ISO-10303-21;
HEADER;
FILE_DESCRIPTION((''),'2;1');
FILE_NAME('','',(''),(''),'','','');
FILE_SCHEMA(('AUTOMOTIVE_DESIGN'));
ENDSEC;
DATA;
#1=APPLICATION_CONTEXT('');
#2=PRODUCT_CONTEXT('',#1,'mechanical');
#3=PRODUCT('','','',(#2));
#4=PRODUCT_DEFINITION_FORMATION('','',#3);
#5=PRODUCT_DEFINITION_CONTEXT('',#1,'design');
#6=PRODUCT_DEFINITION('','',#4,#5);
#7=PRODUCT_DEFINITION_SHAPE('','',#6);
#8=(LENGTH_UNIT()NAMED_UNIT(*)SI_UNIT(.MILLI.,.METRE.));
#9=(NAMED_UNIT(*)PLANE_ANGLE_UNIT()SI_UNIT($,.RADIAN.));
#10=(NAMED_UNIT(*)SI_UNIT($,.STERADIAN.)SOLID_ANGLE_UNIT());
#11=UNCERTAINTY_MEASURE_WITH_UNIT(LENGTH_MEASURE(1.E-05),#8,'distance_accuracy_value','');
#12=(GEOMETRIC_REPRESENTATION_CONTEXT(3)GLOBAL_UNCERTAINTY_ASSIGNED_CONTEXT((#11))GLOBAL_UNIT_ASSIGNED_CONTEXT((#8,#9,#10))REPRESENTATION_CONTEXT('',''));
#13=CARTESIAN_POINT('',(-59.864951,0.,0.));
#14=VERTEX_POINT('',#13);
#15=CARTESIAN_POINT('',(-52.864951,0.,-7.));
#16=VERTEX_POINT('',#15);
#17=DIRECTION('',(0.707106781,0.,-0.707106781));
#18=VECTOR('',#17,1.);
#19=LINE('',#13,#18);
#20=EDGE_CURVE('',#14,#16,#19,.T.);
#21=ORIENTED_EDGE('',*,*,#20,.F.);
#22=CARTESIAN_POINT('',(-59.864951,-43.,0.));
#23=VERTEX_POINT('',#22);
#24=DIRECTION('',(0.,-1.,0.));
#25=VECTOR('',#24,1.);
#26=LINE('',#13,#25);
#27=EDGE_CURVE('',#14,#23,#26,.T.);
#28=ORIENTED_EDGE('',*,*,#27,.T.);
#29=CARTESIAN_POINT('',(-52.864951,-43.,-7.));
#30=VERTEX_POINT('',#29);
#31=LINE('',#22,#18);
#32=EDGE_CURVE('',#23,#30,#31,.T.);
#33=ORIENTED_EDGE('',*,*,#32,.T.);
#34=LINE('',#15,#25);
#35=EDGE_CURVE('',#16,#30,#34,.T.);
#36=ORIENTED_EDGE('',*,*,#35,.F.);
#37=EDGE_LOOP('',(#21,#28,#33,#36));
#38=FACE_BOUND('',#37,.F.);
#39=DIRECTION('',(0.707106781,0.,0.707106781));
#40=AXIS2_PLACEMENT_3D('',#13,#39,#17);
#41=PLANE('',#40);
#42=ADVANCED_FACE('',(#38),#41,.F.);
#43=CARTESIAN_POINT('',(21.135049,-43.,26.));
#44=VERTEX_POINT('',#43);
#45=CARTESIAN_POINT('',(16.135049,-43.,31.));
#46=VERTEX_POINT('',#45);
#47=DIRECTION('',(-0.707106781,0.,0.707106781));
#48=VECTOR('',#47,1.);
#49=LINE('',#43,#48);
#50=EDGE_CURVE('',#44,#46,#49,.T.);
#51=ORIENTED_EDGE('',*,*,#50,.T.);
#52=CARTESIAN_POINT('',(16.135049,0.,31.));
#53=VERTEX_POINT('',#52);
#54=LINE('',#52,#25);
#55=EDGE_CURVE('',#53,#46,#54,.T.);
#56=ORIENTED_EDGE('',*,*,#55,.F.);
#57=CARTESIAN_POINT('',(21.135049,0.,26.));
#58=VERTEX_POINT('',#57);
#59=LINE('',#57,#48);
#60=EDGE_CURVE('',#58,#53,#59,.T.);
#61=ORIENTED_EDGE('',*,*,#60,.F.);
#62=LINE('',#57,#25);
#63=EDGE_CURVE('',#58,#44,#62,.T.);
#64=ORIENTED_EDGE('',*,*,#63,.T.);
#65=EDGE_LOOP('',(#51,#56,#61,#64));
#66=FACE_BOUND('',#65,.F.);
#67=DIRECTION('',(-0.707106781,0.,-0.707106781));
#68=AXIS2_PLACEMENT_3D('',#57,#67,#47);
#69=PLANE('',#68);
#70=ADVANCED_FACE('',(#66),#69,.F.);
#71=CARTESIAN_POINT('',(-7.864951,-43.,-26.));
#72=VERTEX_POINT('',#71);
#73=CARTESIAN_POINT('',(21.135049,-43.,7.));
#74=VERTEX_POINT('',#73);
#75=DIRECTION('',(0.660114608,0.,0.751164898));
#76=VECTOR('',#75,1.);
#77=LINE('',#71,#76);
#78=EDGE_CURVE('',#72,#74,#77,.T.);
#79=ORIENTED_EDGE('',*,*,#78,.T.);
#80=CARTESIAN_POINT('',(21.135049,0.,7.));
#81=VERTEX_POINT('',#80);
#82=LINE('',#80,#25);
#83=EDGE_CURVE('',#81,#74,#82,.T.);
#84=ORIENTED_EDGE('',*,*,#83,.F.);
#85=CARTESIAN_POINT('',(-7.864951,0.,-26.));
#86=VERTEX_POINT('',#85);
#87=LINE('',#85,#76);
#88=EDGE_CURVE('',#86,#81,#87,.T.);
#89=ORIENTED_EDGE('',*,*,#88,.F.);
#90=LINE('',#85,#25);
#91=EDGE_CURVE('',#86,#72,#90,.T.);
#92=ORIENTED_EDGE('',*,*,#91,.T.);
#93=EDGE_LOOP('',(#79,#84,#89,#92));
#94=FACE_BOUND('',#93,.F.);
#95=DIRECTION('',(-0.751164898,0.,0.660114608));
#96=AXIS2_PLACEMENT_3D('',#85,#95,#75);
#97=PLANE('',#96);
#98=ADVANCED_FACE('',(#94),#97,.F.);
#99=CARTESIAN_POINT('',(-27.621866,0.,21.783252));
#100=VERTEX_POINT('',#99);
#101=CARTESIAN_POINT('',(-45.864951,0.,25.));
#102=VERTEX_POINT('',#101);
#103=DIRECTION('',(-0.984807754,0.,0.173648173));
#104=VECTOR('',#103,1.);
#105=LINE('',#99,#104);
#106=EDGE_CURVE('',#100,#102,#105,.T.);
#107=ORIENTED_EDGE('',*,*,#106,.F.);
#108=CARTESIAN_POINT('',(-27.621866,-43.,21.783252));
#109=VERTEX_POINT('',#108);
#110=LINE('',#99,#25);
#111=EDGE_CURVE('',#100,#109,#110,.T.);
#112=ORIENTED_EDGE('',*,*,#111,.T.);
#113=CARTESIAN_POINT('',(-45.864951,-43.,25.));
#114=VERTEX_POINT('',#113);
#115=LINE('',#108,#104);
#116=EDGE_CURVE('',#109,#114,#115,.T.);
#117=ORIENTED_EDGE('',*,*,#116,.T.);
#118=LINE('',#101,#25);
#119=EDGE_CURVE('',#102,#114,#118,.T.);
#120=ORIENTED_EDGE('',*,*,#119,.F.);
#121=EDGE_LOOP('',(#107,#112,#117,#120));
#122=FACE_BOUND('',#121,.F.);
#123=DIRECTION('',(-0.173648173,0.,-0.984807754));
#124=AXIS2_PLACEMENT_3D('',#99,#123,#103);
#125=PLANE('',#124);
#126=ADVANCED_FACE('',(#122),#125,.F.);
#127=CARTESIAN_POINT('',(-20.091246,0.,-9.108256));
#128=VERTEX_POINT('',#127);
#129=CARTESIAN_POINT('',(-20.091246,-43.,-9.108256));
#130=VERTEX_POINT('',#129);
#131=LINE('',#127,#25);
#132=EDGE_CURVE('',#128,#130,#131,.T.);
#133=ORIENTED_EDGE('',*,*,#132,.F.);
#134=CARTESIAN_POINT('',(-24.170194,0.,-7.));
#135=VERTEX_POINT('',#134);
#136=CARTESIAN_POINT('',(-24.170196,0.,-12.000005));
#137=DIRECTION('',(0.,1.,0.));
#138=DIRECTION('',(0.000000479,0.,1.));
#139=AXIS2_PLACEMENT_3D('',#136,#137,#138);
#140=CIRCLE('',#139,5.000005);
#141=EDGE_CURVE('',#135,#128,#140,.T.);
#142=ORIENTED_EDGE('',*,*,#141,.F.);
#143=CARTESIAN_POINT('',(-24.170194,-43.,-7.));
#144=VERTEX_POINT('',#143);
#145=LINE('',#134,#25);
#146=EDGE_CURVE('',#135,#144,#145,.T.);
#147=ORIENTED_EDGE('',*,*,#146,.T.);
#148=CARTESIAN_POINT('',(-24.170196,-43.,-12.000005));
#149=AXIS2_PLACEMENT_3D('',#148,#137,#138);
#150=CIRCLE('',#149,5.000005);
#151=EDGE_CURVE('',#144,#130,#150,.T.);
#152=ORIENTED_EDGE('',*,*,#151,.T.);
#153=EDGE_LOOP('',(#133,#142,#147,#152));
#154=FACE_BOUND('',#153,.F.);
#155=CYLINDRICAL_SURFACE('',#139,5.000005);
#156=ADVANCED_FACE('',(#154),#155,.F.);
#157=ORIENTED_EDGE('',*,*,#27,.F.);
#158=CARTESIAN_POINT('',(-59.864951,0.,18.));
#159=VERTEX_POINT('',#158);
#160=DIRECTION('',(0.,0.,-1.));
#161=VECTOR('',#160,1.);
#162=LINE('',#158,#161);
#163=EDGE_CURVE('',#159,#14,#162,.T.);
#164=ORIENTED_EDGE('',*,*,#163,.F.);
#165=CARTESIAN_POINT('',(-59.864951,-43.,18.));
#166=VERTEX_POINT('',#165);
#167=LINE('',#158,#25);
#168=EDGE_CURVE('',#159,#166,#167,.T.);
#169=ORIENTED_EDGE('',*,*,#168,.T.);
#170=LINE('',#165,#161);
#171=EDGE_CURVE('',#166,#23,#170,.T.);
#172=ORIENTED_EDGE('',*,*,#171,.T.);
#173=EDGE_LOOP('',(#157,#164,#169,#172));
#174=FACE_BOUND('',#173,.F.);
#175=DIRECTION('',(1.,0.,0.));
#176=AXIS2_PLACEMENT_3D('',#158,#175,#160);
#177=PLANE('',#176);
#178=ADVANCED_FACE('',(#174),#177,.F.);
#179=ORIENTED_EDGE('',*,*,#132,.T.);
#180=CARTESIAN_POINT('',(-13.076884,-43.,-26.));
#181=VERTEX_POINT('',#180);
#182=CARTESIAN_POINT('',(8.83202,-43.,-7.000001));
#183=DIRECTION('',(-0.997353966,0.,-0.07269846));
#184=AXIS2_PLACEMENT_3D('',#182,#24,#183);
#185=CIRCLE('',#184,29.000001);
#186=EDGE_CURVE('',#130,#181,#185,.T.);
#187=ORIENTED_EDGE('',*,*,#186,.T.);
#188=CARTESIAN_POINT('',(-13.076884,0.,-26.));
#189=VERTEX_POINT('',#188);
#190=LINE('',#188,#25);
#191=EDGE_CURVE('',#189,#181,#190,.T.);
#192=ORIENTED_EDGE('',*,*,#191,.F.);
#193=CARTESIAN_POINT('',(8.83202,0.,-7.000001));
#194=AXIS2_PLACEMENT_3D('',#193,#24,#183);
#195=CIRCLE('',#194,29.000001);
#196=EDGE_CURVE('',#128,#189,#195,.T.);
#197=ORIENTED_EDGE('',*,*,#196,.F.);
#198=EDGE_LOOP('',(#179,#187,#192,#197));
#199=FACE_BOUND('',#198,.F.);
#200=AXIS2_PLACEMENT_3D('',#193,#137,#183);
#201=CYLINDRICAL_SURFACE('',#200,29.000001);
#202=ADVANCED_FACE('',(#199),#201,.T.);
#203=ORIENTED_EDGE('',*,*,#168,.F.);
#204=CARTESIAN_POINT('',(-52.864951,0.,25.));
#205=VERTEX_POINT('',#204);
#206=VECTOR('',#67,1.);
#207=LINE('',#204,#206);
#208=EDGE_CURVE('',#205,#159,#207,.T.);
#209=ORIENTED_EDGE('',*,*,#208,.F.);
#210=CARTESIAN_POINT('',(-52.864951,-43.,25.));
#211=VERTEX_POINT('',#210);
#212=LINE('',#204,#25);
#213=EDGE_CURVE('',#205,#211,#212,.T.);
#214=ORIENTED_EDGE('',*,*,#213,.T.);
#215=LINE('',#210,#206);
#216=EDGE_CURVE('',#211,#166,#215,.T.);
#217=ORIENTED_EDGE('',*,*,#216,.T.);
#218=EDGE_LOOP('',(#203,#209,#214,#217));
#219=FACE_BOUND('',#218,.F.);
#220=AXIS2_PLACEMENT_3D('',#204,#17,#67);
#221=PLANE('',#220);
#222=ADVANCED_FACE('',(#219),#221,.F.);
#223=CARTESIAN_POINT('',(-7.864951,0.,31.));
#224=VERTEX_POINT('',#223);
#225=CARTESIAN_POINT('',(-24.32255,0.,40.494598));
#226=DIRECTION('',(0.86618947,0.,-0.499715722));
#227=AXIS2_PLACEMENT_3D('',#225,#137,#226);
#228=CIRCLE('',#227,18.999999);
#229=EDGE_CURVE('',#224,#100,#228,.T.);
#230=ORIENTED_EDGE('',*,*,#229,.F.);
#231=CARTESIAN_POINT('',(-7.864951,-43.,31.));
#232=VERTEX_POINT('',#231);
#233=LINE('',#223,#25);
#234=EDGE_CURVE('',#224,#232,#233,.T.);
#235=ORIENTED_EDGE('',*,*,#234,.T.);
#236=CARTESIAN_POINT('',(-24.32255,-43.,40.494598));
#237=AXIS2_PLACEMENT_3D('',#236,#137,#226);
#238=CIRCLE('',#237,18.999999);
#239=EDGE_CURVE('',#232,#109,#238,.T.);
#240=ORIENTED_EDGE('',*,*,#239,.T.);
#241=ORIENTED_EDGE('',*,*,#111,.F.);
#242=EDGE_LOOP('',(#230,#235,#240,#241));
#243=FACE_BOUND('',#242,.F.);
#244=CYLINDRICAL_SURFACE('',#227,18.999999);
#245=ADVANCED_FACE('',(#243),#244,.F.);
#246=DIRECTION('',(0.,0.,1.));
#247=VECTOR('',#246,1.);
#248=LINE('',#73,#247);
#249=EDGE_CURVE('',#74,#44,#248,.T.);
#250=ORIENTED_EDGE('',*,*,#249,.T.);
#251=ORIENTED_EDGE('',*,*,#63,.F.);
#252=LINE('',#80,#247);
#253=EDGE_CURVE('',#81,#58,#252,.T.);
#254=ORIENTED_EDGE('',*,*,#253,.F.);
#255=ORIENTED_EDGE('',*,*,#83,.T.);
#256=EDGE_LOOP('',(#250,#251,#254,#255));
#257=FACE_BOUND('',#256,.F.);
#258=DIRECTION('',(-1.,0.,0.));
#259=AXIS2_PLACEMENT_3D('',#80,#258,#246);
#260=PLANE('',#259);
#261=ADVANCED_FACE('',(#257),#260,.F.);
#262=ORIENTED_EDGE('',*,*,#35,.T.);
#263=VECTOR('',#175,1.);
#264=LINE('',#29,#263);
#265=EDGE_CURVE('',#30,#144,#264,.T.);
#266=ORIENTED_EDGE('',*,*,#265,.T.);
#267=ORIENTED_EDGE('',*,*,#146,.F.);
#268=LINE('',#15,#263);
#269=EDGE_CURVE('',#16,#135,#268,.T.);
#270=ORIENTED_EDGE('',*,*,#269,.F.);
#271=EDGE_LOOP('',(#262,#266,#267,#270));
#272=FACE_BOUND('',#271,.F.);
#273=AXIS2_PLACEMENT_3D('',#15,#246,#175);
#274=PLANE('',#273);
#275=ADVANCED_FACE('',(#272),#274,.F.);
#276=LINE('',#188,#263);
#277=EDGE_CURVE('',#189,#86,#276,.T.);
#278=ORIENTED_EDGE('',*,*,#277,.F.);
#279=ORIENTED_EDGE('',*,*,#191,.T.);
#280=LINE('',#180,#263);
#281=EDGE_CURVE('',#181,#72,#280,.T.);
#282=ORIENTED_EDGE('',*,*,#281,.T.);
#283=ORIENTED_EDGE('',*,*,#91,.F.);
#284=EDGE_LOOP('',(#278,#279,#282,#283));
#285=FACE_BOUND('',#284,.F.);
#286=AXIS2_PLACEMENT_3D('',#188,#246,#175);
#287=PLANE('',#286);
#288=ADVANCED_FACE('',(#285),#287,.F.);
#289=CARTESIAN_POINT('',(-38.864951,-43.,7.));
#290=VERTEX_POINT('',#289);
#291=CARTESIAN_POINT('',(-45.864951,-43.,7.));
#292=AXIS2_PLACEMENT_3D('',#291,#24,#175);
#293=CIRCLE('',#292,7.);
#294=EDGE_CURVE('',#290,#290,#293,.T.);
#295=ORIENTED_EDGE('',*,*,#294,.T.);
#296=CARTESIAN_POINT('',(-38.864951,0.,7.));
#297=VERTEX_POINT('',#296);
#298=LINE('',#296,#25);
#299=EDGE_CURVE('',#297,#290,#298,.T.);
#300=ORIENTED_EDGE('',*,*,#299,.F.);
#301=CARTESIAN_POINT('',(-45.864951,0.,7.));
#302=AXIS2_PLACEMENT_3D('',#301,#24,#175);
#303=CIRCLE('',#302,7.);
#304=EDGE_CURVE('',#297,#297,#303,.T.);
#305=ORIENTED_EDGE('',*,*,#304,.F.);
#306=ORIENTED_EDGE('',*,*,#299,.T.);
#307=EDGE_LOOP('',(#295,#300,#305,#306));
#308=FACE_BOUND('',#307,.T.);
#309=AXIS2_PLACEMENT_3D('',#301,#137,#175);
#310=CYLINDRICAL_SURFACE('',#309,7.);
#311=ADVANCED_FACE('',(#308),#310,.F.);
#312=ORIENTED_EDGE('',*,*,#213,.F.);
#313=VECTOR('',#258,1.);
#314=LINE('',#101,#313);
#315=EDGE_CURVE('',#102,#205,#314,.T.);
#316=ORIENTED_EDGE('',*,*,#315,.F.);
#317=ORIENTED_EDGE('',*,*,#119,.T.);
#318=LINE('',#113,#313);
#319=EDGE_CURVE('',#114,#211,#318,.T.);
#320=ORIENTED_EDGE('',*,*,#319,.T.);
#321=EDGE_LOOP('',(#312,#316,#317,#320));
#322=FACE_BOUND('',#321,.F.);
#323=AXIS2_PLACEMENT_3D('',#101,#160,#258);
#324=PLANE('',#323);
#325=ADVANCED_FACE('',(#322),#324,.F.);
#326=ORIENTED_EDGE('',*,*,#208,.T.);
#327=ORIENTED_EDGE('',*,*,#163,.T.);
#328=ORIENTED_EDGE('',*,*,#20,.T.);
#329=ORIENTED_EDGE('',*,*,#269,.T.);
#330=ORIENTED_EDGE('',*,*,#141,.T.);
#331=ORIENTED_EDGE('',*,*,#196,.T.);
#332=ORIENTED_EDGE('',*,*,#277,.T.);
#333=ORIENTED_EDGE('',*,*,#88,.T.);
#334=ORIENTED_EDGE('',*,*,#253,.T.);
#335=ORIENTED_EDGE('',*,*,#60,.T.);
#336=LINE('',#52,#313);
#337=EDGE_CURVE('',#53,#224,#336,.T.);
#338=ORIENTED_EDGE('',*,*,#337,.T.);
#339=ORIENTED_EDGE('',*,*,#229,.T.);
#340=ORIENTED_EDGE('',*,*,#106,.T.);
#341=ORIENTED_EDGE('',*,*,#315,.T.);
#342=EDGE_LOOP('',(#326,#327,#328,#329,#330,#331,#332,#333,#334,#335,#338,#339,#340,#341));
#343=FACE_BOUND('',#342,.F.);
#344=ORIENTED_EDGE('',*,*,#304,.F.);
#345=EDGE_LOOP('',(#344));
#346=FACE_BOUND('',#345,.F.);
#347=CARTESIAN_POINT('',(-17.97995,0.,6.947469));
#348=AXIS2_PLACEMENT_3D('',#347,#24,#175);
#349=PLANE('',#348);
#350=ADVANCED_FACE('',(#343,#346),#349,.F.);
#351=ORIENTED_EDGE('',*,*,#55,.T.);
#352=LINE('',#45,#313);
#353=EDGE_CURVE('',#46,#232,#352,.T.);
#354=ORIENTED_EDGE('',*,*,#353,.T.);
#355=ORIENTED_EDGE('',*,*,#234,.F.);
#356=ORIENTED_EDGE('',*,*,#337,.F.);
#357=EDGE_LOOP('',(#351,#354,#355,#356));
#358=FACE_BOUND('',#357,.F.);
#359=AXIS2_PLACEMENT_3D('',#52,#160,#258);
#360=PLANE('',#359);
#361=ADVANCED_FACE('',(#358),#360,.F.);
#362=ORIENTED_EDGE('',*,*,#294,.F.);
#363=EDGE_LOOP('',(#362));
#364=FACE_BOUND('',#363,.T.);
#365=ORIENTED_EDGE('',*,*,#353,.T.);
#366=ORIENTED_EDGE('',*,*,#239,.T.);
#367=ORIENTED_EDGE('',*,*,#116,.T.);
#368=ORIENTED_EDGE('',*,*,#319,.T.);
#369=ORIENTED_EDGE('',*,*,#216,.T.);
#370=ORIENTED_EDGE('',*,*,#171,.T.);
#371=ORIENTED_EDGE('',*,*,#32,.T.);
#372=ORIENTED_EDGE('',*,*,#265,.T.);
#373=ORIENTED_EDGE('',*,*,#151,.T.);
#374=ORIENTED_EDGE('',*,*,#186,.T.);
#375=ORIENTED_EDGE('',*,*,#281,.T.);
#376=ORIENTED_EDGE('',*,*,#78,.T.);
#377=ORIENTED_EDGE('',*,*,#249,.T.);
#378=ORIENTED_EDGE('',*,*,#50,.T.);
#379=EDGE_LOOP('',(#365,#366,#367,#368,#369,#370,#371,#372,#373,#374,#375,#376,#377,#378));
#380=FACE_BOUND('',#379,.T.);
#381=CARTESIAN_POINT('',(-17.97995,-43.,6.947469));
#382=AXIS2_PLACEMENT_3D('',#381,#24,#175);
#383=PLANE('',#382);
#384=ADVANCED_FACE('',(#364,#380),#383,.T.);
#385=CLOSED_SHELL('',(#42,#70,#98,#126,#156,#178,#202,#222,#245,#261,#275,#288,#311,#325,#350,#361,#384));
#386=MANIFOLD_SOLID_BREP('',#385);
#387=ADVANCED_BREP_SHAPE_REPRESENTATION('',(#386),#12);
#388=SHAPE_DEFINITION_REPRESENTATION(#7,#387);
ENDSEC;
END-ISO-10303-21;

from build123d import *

# Parameters (mm, degrees)
F0_R     = 7
F1_DEPTH = 43


with BuildPart() as f1:
    # F0 (on Front) → F1 (new body)
    with BuildSketch(Plane.XZ):
        with BuildLine():
            ThreePointArc((-20.091246, -9.108256), (-17.950626, -18.121598), (-13.076884, -26))
            Line((-13.076884, -26), (-7.864951, -26))
            Line((-7.864951, -26), (21.135049, 7))
            Line((21.135049, 7), (21.135049, 26))
            Line((21.135049, 26), (16.135049, 31))
            Line((16.135049, 31), (-7.864951, 31))
            ThreePointArc((-7.864951, 31), (-16.289978, 23.276069), (-27.621866, 21.783252))
            Line((-27.621866, 21.783252), (-45.864951, 25))
            Line((-45.864951, 25), (-52.864951, 25))
            Line((-52.864951, 25), (-59.864951, 18))
            Line((-59.864951, 18), (-59.864951, 0))
            Line((-59.864951, 0), (-52.864951, -7))
            Line((-52.864951, -7), (-24.170194, -7))
            ThreePointArc((-24.170194, -7), (-21.874407, -7.558226), (-20.091246, -9.108256))
        make_face()
        with Locations((-45.864951, 7)):
            Circle(F0_R, mode=Mode.SUBTRACT)
    extrude(amount=F1_DEPTH)


solid = f1.part
